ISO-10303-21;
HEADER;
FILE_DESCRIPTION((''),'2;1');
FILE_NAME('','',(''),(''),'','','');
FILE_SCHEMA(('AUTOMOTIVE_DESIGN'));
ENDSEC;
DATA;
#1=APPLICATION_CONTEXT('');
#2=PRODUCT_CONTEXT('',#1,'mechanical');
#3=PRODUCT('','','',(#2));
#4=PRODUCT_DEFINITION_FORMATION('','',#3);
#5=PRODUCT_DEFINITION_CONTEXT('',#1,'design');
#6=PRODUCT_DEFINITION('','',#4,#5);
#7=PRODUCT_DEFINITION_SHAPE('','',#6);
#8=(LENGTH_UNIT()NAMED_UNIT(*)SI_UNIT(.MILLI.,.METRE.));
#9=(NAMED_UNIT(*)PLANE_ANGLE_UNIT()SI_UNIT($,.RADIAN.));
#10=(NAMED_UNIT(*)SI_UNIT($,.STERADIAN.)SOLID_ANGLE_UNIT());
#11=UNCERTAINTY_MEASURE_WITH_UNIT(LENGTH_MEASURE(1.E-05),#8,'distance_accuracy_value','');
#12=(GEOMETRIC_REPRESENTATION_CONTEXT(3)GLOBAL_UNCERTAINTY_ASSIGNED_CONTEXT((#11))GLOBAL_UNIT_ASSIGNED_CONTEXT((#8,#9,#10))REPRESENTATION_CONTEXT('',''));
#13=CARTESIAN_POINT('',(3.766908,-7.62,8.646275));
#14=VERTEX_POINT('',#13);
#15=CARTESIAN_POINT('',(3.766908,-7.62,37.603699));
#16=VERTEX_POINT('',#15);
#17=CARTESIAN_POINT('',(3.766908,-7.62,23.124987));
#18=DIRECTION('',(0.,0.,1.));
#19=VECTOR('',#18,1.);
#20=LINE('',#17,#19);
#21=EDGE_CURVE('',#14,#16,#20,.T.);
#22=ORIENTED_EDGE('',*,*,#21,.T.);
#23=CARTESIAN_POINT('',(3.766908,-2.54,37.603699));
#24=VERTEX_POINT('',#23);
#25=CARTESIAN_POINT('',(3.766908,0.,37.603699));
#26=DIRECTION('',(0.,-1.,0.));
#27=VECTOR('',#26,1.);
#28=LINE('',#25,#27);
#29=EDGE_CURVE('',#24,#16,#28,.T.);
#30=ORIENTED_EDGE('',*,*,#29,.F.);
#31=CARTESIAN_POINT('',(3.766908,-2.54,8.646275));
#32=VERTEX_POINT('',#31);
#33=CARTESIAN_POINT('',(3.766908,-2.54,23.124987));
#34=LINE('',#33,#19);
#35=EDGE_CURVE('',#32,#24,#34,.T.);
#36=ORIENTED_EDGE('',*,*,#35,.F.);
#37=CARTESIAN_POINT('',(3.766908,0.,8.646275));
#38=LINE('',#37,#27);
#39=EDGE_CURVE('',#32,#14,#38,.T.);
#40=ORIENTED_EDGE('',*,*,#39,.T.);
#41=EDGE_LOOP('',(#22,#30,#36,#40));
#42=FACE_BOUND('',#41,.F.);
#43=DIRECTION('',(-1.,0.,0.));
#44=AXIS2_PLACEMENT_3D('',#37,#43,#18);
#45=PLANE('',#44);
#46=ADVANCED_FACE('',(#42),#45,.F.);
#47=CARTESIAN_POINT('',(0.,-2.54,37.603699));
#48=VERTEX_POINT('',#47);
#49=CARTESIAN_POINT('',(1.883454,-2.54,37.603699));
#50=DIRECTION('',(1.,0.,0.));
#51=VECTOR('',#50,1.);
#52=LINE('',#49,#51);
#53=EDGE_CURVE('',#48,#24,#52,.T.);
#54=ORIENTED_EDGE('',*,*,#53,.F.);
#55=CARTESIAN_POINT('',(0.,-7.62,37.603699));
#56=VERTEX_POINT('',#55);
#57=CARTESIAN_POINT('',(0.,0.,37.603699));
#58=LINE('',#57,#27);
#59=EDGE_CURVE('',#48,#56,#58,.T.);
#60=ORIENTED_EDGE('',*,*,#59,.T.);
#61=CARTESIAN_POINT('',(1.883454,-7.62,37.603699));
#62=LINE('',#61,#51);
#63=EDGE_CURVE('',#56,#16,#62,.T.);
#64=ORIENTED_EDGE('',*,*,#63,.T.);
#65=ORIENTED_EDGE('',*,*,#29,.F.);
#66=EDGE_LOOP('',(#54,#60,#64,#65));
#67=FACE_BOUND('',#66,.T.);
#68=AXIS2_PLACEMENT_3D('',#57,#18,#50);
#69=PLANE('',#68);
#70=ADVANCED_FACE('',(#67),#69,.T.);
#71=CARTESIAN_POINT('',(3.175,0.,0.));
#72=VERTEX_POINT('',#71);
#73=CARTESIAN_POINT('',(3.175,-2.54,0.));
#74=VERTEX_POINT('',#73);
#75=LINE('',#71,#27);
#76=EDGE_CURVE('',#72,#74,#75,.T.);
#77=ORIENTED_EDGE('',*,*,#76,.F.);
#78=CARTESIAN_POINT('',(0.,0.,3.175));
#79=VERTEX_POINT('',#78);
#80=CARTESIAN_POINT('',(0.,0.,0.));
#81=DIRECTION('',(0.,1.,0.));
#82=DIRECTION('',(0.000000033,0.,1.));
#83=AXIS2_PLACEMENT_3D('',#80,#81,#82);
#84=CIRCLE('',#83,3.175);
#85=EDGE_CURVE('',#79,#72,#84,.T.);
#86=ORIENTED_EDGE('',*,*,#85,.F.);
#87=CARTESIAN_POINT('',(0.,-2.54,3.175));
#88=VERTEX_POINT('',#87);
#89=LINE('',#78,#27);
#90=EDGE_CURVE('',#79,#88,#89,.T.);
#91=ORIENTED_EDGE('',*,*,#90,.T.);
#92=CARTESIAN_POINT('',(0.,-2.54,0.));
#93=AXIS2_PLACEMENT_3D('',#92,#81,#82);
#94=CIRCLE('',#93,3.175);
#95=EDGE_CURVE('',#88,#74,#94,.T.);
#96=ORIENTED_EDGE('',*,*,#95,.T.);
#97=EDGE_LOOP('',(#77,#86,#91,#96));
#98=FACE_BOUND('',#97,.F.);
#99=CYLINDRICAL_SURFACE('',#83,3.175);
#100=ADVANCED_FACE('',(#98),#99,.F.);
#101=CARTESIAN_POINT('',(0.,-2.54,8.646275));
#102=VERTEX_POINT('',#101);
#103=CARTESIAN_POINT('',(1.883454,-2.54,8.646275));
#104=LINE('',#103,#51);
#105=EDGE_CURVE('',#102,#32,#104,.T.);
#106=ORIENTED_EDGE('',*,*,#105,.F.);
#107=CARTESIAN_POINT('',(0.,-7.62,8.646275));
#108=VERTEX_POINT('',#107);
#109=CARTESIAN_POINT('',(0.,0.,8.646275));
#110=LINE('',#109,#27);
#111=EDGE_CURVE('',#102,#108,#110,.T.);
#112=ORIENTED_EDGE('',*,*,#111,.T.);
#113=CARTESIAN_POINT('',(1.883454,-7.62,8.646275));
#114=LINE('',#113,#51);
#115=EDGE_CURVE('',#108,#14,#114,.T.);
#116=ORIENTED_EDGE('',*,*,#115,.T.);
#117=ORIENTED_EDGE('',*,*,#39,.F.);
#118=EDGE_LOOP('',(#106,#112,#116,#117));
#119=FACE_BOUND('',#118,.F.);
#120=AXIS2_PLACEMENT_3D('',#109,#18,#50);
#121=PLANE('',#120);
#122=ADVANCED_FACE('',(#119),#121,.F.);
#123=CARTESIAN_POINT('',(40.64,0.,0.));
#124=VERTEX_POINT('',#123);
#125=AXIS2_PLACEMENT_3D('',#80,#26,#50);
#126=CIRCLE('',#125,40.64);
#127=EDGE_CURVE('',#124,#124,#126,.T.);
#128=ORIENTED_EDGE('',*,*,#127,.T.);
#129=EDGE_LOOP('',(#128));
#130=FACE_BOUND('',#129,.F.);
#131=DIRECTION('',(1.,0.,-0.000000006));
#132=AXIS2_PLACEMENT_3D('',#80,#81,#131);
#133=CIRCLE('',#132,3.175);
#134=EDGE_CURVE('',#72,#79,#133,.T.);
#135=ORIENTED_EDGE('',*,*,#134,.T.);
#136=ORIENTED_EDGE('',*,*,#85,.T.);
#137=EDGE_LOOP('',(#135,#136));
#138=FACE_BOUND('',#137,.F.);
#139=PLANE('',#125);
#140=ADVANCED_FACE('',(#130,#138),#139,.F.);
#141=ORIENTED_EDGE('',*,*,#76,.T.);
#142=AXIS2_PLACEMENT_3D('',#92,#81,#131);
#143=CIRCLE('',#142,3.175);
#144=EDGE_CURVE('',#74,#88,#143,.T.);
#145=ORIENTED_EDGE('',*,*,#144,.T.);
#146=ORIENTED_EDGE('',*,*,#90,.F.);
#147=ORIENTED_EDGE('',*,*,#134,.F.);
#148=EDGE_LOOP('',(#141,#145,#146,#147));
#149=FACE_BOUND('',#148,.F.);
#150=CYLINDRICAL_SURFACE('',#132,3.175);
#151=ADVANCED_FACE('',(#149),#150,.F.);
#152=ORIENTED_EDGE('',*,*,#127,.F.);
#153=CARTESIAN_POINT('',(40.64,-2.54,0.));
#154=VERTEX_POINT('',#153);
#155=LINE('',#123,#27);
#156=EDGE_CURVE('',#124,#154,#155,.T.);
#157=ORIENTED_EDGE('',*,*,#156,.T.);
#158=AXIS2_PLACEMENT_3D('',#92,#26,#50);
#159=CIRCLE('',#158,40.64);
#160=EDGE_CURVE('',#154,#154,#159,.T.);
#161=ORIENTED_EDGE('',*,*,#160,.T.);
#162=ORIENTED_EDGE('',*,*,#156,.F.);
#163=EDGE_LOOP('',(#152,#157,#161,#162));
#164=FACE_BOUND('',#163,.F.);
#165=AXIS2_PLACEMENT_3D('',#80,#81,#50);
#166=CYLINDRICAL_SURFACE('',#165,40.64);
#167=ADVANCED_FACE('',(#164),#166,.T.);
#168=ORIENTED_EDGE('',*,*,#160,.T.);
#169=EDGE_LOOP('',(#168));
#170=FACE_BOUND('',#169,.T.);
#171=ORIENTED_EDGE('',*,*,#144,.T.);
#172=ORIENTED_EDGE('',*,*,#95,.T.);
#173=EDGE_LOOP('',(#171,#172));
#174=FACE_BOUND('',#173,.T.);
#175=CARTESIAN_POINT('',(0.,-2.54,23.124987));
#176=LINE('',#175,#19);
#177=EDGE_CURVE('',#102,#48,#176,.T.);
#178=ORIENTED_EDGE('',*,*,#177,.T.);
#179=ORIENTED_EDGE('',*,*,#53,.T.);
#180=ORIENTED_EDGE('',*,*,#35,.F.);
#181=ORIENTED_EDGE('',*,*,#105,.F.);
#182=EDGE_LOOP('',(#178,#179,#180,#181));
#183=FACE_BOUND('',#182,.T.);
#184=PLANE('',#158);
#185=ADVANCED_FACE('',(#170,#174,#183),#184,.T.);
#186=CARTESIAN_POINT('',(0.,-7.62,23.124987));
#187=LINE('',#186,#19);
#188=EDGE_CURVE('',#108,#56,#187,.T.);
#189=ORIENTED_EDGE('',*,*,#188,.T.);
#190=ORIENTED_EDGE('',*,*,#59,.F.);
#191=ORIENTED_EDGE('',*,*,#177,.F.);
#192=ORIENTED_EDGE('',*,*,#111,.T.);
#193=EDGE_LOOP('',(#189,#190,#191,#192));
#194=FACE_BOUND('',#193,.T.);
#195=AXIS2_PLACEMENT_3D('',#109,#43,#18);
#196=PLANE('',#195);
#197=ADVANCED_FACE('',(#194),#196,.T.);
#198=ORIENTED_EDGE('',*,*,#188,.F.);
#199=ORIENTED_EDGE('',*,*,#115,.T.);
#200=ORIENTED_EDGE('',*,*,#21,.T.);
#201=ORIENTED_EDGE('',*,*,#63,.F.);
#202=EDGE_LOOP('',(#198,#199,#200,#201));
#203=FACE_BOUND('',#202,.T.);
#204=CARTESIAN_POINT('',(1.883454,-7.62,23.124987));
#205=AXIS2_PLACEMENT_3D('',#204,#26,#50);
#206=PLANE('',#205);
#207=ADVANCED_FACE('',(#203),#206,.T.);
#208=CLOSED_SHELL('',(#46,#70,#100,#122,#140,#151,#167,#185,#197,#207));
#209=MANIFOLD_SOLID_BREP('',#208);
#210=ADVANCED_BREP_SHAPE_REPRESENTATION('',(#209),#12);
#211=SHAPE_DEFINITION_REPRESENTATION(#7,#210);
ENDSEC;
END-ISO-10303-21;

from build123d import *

# Parameters (mm, degrees)
F0_R     = 40.64
F0_W     = 3.766908
F0_H     = 28.957423
F1_DEPTH = 2.54
F2_DEPTH = 7.62


with BuildPart() as f1:
    # F0 (on Front) → F1 (new body)
    with BuildSketch(Plane.XZ):
        Circle(F0_R)
        with BuildLine():
            ThreePointArc((0, 3.175), (2.245064, 2.245064), (3.175, 0))
            ThreePointArc((3.175, 0), (-2.245064, -2.245064), (0, 3.175))
        make_face(mode=Mode.SUBTRACT)
        with Locations((1.883454, 23.124987)):
            Rectangle(F0_W, F0_H, mode=Mode.SUBTRACT)
    extrude(amount=F1_DEPTH)

    # F0 (on Front) → F2 (join)
    with BuildSketch(Plane.XZ):
        with Locations((1.883454, 23.124987)):
            Rectangle(F0_W, F0_H)
    extrude(amount=F2_DEPTH)


solid = f1.part
